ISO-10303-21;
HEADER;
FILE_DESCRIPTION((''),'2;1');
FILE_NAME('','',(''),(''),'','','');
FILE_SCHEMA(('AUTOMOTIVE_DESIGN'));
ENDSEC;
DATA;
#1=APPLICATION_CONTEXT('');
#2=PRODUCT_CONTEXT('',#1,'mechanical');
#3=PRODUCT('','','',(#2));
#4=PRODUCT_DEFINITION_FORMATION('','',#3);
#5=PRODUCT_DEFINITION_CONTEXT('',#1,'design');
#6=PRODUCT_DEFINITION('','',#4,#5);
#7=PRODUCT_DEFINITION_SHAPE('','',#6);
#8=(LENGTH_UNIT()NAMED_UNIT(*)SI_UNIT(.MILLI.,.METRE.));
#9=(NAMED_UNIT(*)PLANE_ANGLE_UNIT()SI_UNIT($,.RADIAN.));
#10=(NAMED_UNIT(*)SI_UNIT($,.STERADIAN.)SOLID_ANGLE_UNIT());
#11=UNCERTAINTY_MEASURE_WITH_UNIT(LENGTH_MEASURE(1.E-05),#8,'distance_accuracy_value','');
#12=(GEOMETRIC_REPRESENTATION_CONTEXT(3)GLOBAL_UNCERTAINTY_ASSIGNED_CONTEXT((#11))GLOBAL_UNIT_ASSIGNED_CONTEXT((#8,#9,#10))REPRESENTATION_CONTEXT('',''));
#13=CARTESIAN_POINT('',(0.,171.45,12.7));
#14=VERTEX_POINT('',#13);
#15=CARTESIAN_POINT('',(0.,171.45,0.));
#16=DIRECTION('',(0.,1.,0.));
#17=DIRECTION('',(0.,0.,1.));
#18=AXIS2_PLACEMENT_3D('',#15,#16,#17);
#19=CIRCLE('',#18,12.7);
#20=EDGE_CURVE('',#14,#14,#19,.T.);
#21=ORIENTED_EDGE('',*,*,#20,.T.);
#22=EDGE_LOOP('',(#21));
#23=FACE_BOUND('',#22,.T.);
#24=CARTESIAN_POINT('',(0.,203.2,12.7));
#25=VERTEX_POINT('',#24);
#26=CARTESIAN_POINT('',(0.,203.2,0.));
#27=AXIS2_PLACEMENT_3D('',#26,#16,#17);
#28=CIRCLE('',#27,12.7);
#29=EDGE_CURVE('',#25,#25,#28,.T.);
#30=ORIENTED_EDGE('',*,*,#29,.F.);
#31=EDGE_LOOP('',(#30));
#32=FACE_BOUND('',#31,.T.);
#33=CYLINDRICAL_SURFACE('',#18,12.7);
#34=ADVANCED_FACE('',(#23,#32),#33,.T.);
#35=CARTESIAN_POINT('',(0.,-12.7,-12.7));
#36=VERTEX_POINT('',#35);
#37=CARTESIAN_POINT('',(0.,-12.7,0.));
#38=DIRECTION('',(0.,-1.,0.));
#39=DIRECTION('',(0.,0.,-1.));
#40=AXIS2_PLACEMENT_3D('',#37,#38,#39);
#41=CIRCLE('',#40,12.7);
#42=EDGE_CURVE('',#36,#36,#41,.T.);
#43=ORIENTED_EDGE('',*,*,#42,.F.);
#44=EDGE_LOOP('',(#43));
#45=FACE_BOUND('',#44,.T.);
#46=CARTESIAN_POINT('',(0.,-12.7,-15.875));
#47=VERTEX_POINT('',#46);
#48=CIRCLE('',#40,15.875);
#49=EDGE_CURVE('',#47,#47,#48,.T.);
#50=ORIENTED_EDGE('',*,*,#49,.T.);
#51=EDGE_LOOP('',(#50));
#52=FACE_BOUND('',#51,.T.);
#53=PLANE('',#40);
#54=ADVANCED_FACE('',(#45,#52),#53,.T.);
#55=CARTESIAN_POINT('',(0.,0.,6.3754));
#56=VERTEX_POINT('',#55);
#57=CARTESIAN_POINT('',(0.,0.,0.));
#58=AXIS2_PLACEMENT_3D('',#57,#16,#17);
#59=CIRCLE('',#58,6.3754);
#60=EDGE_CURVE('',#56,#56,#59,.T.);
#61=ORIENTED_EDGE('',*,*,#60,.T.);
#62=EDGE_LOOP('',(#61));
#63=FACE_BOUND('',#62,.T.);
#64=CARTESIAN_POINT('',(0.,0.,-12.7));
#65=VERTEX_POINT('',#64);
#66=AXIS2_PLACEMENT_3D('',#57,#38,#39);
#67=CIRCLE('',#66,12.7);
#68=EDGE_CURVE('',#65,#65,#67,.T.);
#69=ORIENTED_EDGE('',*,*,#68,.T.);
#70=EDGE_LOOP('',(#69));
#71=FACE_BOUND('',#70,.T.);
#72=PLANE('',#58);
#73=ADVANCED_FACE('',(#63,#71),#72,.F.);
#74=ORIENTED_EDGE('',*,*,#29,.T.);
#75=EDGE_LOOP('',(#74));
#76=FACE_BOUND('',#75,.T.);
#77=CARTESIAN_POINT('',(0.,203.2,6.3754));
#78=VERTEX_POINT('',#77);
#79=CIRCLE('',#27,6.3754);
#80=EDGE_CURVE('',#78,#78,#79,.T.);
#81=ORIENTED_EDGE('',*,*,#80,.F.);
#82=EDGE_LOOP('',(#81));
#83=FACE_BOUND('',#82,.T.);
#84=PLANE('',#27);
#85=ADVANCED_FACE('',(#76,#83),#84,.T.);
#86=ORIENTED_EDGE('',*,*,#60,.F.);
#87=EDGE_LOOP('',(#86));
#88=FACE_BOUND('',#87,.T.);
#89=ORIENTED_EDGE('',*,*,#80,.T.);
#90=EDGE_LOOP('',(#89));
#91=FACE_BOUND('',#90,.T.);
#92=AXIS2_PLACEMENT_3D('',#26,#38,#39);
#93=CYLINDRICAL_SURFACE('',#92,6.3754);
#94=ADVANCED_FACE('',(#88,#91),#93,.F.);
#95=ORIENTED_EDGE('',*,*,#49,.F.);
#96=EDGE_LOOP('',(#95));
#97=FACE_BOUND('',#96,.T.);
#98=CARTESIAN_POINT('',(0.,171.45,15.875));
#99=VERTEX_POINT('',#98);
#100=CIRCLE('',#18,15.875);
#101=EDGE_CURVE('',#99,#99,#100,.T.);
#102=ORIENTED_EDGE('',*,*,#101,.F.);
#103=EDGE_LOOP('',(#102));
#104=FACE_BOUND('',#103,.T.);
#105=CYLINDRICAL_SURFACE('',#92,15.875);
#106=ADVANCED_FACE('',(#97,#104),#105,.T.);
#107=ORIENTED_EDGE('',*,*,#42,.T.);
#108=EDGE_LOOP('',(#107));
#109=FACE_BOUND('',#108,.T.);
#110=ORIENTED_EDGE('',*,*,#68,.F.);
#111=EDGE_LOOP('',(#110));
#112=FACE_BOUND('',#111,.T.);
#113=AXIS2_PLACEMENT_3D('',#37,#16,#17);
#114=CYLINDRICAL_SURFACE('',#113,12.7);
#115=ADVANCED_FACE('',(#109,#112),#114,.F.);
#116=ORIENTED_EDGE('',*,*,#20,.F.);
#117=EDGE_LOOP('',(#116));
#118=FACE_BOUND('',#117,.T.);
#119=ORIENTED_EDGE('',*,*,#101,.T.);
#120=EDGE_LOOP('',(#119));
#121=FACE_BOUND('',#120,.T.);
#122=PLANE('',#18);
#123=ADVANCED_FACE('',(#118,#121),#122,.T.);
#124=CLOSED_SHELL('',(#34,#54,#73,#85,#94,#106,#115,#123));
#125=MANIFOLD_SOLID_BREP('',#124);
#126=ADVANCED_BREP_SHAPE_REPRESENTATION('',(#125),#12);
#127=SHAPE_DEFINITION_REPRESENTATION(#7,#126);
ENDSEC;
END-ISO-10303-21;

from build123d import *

# Parameters (mm, degrees)
SKETCH1_R           = 15.875
SKETCH1_R_2         = 6.3754
BOSS_EXTRUDE1_DEPTH = 203.2
BOSS_EXTRUDE2_START = 12.7
SKETCH2_R           = 15.875
SKETCH2_R_2         = 12.7
BOSS_EXTRUDE2_DEPTH = 12.7
CUT_EXTRUDE1_START  = -31.75
SKETCH3_R           = 15.875
SKETCH3_R_2         = 12.7
CUT_EXTRUDE1_DEPTH  = 31.75


with BuildPart() as part:
    # Sketch1 → Boss-Extrude1 (new body)
    with BuildSketch(Plane(origin=(0, 0, 0), x_dir=(1, 0, 0), z_dir=(0, 1, 0))):
        with Locations(Location((0, 0, 0), (0, 0, 270))):
            Circle(SKETCH1_R)
        with Locations(Location((0, 0, 0), (0, 0, 270))):
            Circle(SKETCH1_R_2, mode=Mode.SUBTRACT)
    extrude(amount=BOSS_EXTRUDE1_DEPTH)

    # Sketch2 → Boss-Extrude2 (add)
    with BuildSketch(Plane.XZ.offset(BOSS_EXTRUDE2_START)):
        with Locations(Location((0, 0, 0), (0, 0, 270))):
            Circle(SKETCH2_R)
        with Locations(Location((0, 0, 0), (0, 0, 270))):
            Circle(SKETCH2_R_2, mode=Mode.SUBTRACT)
    extrude(amount=-BOSS_EXTRUDE2_DEPTH)

    # Sketch3 → Cut-Extrude1 (cut)
    with BuildSketch(Plane(origin=(0, 203.2, 0), x_dir=(1, 0, 0), z_dir=(0, 1, 0)).offset(CUT_EXTRUDE1_START)):
        with Locations(Location((0, 0, 0), (0, 0, 90))):
            Circle(SKETCH3_R)
        with Locations(Location((0, 0, 0), (0, 0, 90))):
            Circle(SKETCH3_R_2, mode=Mode.SUBTRACT)
    extrude(amount=CUT_EXTRUDE1_DEPTH, mode=Mode.SUBTRACT)


solid = part.part
